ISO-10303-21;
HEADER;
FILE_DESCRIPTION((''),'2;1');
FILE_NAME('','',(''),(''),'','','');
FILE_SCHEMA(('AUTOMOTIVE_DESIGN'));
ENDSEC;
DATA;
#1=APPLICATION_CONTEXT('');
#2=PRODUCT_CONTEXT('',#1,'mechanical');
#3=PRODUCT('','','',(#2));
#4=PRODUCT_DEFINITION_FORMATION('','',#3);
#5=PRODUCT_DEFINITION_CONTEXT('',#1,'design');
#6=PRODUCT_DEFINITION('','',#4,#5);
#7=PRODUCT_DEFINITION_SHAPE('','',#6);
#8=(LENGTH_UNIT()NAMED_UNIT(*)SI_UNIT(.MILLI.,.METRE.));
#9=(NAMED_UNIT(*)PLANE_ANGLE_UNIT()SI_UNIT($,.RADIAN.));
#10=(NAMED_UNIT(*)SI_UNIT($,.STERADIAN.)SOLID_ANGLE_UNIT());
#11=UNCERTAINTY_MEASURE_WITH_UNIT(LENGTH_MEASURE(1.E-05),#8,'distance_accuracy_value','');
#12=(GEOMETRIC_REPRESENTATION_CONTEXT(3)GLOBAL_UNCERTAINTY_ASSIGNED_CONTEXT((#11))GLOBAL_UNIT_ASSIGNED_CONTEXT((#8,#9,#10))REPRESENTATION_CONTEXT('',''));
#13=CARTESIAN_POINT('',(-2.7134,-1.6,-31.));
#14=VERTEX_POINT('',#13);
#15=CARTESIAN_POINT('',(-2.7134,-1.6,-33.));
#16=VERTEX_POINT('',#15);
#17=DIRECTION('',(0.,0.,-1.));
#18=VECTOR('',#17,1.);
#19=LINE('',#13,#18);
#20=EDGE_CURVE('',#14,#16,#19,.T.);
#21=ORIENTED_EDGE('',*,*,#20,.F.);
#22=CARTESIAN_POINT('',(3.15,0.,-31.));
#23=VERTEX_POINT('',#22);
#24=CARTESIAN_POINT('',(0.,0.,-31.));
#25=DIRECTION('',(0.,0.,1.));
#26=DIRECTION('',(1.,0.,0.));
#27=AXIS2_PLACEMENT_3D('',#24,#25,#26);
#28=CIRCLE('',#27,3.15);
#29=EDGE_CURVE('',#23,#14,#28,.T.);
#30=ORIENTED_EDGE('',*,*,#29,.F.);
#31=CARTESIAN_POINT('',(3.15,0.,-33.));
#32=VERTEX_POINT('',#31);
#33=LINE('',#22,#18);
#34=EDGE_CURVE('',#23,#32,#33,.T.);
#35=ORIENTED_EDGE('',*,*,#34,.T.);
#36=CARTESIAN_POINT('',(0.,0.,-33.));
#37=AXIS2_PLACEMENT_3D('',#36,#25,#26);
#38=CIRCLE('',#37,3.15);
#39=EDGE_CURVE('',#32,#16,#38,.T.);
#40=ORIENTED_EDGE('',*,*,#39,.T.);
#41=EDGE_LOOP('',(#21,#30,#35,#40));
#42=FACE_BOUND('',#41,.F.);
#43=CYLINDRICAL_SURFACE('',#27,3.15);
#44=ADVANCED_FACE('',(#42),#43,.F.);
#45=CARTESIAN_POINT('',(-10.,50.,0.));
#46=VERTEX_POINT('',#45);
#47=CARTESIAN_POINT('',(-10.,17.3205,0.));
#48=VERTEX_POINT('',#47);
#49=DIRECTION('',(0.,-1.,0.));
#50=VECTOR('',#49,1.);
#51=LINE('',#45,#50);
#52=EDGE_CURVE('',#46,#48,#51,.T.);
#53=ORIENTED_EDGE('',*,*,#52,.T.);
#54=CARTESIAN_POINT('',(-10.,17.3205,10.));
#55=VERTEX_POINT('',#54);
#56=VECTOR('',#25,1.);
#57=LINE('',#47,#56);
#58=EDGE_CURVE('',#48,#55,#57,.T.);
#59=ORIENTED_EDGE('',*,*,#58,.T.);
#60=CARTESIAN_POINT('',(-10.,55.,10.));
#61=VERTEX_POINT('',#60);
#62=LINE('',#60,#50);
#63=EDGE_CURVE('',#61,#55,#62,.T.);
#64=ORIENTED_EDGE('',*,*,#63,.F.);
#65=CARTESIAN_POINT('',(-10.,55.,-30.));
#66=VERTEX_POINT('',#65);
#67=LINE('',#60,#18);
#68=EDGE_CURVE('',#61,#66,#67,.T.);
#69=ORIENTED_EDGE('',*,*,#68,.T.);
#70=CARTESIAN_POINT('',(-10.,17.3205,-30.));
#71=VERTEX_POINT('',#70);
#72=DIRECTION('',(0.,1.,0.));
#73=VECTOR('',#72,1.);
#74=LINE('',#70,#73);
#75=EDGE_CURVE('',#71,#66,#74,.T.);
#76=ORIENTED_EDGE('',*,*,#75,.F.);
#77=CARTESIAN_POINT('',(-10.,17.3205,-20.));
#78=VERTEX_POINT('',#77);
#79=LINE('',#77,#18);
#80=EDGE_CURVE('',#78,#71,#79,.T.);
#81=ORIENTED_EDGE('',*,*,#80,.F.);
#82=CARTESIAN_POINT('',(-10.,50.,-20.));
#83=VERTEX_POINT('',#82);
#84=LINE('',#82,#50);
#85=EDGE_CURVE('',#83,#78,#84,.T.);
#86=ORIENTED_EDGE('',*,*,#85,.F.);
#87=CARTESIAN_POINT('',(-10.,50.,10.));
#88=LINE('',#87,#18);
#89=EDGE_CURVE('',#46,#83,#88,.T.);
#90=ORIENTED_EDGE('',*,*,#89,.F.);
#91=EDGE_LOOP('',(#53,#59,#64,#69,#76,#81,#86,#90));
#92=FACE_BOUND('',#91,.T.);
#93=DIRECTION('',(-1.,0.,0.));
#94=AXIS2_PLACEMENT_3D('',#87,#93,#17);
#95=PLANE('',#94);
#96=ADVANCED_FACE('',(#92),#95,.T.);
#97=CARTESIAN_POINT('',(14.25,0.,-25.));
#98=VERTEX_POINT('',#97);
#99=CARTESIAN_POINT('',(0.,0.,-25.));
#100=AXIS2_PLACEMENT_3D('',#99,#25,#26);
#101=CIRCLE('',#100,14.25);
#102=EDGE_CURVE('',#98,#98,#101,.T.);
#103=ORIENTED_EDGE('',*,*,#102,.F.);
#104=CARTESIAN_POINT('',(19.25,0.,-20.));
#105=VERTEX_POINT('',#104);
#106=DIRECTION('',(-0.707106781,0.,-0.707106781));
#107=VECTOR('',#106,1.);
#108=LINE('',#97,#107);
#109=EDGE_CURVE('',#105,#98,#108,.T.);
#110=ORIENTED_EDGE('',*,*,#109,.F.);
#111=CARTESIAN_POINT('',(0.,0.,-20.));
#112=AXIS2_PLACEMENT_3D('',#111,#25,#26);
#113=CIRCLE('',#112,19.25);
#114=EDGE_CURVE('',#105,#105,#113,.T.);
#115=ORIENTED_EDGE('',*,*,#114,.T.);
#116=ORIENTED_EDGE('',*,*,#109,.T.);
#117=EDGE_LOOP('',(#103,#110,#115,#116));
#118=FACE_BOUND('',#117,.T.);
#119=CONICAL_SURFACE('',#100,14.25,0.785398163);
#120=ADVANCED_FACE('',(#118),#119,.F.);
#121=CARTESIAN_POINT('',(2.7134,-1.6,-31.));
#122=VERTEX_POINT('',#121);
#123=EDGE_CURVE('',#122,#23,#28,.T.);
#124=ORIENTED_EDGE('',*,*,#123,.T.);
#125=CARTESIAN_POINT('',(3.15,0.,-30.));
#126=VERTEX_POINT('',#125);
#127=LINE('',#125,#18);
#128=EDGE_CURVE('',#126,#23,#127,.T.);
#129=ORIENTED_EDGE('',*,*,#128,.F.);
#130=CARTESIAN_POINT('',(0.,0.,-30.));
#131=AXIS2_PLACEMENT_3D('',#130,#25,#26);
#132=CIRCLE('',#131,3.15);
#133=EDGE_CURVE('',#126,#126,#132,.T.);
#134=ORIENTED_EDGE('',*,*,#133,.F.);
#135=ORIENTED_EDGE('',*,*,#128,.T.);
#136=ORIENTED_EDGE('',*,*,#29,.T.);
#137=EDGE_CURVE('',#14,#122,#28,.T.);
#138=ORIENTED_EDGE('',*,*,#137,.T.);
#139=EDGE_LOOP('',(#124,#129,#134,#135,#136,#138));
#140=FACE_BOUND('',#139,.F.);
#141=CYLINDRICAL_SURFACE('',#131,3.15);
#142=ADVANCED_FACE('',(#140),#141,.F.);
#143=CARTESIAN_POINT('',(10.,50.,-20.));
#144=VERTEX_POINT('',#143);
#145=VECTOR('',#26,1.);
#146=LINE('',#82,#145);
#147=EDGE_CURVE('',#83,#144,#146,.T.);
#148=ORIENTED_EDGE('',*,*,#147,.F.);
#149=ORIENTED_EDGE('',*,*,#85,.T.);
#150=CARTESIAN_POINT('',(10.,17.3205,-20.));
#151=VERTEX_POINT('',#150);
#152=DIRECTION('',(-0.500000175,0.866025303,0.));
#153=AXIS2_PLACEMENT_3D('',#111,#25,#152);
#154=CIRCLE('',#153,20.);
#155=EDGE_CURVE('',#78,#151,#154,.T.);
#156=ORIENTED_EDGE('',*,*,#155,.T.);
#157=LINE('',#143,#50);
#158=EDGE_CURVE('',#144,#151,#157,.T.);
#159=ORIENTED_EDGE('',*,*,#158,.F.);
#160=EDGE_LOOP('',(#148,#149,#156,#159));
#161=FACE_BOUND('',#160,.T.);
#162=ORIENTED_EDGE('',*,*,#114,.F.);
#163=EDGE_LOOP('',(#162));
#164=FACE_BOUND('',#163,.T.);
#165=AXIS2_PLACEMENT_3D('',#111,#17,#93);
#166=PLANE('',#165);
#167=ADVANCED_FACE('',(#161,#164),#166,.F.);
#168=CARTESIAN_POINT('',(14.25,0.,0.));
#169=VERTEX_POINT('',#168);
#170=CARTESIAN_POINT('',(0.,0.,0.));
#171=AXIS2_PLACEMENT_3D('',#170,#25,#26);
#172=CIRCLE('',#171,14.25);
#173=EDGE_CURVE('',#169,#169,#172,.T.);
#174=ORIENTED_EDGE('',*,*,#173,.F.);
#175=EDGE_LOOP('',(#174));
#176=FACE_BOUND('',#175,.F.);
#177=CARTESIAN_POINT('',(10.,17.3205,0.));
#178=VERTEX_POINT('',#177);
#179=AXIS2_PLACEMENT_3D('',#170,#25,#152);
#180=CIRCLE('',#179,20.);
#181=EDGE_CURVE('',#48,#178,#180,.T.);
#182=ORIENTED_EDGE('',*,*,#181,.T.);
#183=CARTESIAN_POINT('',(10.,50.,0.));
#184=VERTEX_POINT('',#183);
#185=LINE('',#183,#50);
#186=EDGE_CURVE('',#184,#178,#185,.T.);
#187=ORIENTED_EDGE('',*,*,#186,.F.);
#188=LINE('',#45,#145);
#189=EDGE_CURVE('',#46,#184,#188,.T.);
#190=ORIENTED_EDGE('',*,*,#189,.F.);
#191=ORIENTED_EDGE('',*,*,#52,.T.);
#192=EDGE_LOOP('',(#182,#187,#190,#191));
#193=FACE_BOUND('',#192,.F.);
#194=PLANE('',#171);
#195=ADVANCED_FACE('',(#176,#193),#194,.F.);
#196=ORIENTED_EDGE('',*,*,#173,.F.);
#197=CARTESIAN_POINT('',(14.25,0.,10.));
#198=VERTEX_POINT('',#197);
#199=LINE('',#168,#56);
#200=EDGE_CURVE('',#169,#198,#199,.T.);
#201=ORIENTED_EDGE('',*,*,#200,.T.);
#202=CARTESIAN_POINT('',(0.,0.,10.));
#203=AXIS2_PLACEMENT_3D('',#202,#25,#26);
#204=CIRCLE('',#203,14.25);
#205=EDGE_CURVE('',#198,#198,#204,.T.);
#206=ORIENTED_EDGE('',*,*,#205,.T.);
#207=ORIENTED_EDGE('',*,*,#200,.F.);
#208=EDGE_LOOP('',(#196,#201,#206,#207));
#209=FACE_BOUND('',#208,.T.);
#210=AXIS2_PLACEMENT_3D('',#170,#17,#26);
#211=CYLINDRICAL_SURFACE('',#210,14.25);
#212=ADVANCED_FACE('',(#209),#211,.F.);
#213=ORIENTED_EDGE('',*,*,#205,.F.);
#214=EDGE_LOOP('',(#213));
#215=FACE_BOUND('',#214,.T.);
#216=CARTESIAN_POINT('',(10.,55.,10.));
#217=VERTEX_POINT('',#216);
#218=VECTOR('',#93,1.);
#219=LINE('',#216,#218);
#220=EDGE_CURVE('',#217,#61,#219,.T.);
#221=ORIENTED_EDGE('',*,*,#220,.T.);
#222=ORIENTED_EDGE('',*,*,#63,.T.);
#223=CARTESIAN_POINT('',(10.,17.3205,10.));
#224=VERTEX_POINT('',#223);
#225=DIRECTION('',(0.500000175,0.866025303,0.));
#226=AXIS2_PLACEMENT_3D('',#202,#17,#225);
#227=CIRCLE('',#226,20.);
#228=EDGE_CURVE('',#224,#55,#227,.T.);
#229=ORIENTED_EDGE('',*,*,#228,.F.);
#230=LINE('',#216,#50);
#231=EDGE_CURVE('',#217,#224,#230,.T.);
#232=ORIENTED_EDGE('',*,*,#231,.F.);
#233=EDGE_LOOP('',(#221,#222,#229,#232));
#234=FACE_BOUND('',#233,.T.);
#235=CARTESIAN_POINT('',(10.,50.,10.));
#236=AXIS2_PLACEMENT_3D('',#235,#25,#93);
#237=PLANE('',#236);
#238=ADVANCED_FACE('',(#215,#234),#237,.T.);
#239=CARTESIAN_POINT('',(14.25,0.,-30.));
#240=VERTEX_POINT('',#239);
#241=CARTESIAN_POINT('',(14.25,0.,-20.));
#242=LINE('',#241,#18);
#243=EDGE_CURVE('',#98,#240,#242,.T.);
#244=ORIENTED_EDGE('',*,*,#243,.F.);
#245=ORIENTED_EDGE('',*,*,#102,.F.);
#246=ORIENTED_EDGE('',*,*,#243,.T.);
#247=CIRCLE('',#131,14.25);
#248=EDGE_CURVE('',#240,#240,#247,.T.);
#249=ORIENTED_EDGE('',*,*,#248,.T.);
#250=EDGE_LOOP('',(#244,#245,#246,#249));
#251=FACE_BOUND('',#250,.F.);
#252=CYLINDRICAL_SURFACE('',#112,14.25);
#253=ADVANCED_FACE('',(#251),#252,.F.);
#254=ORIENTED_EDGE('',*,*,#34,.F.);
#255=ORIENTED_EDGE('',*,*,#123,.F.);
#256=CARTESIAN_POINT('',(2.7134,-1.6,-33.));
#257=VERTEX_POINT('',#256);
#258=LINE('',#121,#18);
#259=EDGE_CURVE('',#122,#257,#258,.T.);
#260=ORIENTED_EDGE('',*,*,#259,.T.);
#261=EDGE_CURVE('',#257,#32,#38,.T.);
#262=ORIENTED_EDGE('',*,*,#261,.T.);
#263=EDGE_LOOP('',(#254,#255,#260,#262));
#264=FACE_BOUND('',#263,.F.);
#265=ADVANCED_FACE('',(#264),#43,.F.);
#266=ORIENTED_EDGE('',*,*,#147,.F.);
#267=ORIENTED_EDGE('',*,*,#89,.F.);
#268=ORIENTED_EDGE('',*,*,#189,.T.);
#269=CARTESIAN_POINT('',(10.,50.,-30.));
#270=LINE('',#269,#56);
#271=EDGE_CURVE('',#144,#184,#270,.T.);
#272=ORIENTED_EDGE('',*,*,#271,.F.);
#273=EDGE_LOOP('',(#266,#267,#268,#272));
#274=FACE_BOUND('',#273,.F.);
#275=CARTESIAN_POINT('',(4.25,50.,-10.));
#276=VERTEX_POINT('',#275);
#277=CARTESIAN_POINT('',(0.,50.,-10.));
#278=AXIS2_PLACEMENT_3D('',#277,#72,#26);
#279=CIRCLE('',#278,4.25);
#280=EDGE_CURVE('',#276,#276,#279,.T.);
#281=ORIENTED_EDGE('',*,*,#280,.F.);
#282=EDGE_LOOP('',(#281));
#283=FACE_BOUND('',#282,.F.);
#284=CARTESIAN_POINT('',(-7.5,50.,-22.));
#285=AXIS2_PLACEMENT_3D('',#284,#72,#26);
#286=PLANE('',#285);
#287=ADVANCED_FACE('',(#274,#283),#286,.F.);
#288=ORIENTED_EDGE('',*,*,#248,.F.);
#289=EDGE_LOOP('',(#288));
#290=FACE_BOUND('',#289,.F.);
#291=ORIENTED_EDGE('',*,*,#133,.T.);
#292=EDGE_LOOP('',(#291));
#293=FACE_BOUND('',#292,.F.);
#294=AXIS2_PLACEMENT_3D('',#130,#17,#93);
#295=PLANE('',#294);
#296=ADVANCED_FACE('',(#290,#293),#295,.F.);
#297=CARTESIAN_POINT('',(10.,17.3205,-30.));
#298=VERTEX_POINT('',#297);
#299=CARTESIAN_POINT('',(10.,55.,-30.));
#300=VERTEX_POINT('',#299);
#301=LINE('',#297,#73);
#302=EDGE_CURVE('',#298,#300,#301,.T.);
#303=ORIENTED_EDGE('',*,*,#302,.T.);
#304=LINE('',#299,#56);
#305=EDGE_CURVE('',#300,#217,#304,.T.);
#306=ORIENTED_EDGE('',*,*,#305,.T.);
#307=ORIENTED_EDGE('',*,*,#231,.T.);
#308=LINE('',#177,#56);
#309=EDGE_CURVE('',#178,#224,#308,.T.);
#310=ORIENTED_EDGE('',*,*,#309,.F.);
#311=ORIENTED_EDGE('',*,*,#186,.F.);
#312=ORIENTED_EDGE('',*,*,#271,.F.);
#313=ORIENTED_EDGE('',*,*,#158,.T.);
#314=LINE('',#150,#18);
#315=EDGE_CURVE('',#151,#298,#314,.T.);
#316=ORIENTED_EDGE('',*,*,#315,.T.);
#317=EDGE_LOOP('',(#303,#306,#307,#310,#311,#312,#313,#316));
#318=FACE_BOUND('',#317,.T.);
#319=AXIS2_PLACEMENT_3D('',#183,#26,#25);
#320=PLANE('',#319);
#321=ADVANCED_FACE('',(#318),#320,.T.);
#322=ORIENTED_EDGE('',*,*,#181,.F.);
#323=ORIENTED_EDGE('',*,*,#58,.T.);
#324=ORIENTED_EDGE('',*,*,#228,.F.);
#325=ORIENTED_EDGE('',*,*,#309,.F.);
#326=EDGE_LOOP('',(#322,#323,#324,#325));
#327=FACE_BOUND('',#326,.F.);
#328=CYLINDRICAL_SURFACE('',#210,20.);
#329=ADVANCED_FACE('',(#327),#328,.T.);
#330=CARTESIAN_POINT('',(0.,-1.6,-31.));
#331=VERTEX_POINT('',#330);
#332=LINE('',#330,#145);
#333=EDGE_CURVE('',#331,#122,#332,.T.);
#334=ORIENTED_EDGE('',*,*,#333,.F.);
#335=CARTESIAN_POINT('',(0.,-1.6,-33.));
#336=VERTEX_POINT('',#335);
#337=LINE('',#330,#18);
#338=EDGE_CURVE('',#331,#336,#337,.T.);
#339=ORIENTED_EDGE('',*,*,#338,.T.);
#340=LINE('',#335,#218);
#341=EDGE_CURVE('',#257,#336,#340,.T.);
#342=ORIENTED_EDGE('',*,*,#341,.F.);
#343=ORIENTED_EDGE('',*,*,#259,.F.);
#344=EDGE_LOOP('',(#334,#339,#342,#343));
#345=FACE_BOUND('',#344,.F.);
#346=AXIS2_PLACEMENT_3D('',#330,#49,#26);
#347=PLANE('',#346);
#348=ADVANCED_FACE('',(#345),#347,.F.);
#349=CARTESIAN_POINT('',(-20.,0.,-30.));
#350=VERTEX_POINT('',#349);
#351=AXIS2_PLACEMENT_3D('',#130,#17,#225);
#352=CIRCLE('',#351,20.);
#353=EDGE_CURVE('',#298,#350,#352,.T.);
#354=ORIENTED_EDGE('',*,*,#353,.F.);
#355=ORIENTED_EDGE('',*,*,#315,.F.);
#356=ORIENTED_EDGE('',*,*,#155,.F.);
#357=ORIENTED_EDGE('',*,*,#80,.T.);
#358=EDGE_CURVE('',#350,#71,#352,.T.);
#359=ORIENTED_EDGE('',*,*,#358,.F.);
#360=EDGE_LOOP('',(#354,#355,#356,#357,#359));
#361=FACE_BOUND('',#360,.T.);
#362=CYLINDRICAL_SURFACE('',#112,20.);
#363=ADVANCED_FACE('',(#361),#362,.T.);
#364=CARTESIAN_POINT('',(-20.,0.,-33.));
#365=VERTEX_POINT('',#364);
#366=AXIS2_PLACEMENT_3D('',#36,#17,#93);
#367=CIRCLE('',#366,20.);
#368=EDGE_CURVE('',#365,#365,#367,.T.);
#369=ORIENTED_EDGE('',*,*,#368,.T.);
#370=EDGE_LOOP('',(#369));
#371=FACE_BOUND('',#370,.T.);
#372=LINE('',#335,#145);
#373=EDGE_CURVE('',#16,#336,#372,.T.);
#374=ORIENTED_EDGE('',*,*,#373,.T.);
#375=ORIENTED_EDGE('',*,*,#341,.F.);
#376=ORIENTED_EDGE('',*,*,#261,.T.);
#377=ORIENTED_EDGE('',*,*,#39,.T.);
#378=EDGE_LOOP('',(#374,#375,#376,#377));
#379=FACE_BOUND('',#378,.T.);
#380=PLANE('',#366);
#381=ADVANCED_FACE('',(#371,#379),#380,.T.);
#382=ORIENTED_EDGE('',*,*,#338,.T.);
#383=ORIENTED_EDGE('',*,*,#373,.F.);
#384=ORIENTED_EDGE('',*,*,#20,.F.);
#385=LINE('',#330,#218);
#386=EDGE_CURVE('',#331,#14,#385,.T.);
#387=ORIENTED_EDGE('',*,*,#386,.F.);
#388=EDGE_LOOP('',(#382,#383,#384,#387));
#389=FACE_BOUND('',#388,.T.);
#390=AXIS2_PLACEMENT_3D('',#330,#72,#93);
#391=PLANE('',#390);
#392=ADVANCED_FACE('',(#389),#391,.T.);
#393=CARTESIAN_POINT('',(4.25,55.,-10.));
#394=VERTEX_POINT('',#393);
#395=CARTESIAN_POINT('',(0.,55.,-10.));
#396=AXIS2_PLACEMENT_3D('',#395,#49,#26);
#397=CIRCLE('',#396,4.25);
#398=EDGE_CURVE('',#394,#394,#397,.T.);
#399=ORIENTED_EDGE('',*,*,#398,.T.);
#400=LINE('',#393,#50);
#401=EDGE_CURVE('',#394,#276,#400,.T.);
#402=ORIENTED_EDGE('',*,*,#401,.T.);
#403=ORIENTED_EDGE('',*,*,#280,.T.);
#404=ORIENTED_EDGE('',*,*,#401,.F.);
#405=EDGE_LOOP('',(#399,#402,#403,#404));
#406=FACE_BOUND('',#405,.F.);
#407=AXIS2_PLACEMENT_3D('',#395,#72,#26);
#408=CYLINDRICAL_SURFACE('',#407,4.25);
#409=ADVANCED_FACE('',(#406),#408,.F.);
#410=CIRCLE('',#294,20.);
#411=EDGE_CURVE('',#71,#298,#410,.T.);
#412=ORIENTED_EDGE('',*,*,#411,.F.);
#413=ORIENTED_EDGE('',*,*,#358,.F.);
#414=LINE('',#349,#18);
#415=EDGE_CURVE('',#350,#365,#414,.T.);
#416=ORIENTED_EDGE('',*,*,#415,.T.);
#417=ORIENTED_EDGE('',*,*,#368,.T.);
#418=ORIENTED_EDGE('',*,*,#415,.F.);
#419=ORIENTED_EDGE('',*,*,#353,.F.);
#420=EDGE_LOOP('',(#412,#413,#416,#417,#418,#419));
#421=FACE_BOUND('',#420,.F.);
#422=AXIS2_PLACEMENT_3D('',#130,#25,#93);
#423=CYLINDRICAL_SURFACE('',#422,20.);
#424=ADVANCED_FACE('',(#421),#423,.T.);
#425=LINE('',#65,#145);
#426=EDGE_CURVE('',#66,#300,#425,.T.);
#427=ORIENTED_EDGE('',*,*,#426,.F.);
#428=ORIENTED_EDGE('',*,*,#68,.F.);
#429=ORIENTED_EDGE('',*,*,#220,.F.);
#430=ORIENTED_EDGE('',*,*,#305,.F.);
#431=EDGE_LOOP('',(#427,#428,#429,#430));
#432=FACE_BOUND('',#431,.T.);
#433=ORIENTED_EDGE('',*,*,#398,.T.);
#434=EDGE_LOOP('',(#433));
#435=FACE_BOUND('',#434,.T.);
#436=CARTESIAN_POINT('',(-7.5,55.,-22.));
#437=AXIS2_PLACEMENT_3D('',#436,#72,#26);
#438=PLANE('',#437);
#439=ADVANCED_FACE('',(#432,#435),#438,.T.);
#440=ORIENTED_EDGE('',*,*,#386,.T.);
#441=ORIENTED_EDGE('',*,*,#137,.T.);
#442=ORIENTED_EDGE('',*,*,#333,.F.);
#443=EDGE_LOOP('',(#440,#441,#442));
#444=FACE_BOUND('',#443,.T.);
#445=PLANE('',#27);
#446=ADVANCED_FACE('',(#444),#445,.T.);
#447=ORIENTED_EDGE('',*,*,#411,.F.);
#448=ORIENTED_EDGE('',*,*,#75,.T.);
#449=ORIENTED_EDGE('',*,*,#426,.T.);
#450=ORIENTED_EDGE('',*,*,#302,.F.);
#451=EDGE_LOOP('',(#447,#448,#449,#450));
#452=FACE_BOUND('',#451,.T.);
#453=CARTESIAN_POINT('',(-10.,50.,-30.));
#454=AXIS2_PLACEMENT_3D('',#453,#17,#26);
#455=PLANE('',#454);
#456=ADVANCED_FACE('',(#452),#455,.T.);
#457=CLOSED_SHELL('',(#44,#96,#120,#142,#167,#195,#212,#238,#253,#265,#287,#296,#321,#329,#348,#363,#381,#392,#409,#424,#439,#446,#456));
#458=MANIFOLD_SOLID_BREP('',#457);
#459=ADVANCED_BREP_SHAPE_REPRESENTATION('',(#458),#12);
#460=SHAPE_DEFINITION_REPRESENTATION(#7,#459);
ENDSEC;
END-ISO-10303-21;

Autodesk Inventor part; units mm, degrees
ref_plane "YZ Plane" through (0, 0, 0) normal (1, 0, 0) x (0, 1, 0)
ref_plane "XZ Plane" through (0, 0, 0) normal (0, 1, 0) x (-1, 0, 0)
ref_plane "XY Plane" through (0, 0, 0) normal (0, 0, 1) x (1, 0, 0)
sketch "Sketch1" plane through (0, 0, 0) normal (0, 0, 1) x (1, 0, 0)
  circle A0 centre (0, 0) radius 14.25
  circle A1 centre (0, 0) radius 20
  line L0 (0, 50) -> (10, 50)
  line L1 (10, 50) -> (10, 17.3205)
  line L2 (0, 20) -> (0, 50)
  line L3 (0, 50) -> (-10, 50)
  line L4 (-10, 50) -> (-10, 17.3205)
  point P0 (-20, 0)
  point P1 (20, 0)
  dimension "d0" = 28.5
  dimension "d1" = 40
  dimension "d25" = 10
  dimension "d31" = 10
extrude "Extrusion1" add sketch "Sketch1" along normal blind 10
ref_plane "Work Plane1" through (0, 0, -10) normal (0, 0, 1) x (1, 0, 0)
mirror "Mirror1" about plane through (0, 0, -10) normal (0, 0, 1) of "Extrusion1"
sketch "Sketch2" plane through (0, 0, -30) normal (0, 0, -1) x (-1, 0, 0)
  circle A0 centre (0, 0) radius 14.25 projected
  circle A1 centre (0, 0) radius 20
  dimension "d11" = 40
extrude "Extrusion2" add sketch "Sketch2" along normal blind 3 contours A0 | A1
sketch "Sketch3" plane through (0, 0, -30) normal (0, 0, 1) x (1, 0, 0)
  circle A0 centre (0, 0) radius 3.15
  dimension "d14" = 6.3
extrude "Extrusion3" cut sketch "Sketch3" against normal blind 1
sketch "Sketch4" plane through (0, 0, -31) normal (0, 0, 1) x (1, 0, 0)
  circle A0 centre (0, 0) radius 3.15
  line L0 (0, 0) -> (0, -1.6)
  line L1 (0, -1.6) -> (-2.7134, -1.6)
  line L2 (0, -1.6) -> (2.7134, -1.6)
  dimension "d17" = 6.3
  dimension "d18" = 1.6
extrude "Extrusion4" cut sketch "Sketch4" against normal through all contours A0 L2 L1 picked at (-0.0447, 1.5505)
sketch "Sketch6" plane through (-7.5, 50, -22) normal (0, 1, 0) x (1, 0, 0)
  line L0 (17.5, 8) -> (17.5, 8) projected
  line L1 (17.5, -22) -> (17.5, -32) projected
  line L2 (-2.5, 8) -> (17.5, 8)
  line L3 (17.5, 8) -> (17.5, -32)
  line L4 (17.5, -32) -> (-2.5, -32)
  line L5 (-2.5, -32) -> (-2.5, 8)
  point P0 (7.5, -22)
extrude "Extrusion6" add sketch "Sketch6" along normal blind 5
sketch "Sketch7" plane through (-7.5, 55, -22) normal (0, 1, 0) x (1, 0, 0)
  line L0 (21.75, -32) -> (-6.75, -32) projected
  line L1 (7.5, -32) -> (7.5, 8)
  line L2 (10.65, 8) -> (4.35, 8) projected
  circle A0 centre (7.5, -12) radius 4.25
  point P0 (7.5, -22)
  dimension "d28" = 8.5
extrude "Extrusion7" cut sketch "Sketch7" against normal up to next
chamfer "Chamfer1" distance 5 angle 45 1 edges at (-14.25, 0, -20)
equation "\"d4\" = d25"
equation "\"BendRadius\" = Thickness"
equation "\"BendReliefWidth\" = Thickness"
equation "\"BendReliefDepth\" = 0.5 * Thickness"
equation "\"CornerReliefSize\" = 4 * Thickness"
equation "\"MinimumRemnant\" = 2 * Thickness"
equation "\"TransitionRadius\" = BendRadius"
equation "\"JacobiRadiusSize\" = BendRadius"
equation "\"GapSize\" = Thickness"
equation "\"Thickness\" = 0.5"
properties part number "baseRotor1"
